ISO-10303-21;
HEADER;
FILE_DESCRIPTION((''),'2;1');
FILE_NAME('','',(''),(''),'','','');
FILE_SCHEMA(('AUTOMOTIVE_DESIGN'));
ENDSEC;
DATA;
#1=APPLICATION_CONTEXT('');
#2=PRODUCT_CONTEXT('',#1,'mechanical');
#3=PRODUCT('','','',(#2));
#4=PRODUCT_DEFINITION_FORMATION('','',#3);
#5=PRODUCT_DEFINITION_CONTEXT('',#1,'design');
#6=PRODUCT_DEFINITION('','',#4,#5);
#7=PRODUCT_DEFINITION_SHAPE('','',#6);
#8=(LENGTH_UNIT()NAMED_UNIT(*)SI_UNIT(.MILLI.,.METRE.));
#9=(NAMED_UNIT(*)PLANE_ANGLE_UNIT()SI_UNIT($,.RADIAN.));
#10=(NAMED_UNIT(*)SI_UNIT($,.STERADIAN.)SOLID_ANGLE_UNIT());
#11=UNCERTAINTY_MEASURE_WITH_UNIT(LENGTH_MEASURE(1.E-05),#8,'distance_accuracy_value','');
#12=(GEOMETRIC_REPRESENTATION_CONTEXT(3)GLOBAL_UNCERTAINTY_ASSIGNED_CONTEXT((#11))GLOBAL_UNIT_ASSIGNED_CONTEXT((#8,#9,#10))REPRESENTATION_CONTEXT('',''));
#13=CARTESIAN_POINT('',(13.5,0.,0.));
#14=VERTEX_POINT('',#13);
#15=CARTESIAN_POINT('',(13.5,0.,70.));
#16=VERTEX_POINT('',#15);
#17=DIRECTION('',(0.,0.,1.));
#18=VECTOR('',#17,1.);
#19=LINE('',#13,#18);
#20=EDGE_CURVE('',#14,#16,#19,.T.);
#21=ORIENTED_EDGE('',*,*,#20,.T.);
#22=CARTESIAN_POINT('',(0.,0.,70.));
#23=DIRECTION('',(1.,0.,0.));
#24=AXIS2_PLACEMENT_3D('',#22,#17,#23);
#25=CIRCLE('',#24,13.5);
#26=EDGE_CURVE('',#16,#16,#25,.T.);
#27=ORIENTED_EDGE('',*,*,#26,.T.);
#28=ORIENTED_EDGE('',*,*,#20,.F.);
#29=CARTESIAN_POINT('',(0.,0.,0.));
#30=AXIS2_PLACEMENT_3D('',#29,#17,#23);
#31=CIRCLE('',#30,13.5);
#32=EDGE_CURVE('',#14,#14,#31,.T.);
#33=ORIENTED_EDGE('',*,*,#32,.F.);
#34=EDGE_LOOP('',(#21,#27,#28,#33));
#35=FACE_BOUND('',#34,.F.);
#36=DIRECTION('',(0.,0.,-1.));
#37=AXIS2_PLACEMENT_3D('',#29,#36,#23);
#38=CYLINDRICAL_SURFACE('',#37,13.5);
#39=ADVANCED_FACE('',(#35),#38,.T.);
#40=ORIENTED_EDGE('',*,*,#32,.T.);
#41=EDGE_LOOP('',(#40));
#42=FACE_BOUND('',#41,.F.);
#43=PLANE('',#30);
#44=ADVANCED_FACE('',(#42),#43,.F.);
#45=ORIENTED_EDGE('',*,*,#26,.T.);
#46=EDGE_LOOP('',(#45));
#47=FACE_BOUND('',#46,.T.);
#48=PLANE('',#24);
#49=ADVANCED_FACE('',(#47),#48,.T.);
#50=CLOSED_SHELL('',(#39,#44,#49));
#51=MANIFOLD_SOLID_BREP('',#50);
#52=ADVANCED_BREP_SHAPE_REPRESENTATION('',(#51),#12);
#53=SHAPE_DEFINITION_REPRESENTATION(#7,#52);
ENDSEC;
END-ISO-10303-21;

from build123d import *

# Parameters (mm, degrees)
SKETCH_R  = 13.5
PAD_DEPTH = 70


with BuildPart() as part:
    # Sketch → Pad (new body)
    with BuildSketch(Plane.XY):
        Circle(SKETCH_R)
    extrude(amount=PAD_DEPTH)


solid = part.part
